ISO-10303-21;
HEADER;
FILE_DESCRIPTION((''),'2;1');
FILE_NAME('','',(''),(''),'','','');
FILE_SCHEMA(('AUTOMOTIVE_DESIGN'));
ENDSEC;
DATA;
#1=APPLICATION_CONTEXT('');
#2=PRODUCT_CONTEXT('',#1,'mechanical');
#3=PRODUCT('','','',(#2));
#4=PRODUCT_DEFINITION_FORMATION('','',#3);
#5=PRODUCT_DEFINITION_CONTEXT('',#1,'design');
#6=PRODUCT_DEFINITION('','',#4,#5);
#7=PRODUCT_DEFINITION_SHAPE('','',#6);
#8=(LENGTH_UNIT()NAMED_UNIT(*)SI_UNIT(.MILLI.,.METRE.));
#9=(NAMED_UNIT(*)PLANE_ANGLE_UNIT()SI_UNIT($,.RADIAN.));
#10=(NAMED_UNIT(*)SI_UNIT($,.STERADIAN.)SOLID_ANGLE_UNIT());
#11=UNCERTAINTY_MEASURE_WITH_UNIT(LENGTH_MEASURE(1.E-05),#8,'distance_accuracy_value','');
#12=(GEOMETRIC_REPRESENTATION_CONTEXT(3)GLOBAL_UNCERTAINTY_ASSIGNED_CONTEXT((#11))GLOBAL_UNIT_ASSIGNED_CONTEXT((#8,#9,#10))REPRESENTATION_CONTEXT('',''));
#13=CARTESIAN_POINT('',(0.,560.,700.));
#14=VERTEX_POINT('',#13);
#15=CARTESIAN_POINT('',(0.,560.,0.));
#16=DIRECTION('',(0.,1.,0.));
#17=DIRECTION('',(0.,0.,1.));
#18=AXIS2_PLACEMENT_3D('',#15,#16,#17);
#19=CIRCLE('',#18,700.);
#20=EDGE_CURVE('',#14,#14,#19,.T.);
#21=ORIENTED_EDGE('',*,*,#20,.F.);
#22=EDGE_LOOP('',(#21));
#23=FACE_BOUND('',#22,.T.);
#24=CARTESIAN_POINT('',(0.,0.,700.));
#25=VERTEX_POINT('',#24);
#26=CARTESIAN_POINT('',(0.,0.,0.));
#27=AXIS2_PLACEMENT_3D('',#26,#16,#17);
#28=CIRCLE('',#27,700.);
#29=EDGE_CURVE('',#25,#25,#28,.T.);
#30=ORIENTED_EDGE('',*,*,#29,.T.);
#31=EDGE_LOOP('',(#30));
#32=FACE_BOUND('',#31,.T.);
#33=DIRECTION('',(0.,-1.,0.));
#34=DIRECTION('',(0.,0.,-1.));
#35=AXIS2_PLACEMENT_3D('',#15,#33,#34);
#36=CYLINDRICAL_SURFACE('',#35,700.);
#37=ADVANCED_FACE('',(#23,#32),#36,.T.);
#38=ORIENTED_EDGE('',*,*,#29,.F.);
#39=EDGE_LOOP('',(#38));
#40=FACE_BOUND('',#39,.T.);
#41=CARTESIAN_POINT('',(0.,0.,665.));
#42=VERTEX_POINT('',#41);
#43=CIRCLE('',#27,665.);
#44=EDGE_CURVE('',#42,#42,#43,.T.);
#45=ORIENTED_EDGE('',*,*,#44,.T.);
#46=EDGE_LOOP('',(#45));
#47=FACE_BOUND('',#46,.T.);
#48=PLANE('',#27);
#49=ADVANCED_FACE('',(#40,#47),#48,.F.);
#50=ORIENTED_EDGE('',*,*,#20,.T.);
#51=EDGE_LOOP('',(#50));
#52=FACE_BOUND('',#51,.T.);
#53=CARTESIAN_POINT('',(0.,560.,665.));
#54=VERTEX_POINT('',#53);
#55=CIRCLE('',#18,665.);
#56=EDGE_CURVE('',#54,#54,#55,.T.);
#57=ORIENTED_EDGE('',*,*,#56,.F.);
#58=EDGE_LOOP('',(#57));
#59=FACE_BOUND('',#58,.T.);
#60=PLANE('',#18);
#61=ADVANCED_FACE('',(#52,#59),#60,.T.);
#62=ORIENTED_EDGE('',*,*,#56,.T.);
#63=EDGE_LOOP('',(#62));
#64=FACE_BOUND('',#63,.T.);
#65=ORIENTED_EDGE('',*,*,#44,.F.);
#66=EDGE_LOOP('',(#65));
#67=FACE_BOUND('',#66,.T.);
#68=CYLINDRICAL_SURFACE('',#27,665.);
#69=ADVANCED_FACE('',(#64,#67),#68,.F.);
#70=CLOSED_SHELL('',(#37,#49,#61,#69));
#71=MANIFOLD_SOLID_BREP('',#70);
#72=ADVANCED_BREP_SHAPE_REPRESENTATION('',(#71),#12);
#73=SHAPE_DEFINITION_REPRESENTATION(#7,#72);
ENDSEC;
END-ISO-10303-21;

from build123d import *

# Parameters (mm, degrees)
SKETCH_1_R          = 700
EXTRUDE_1_DEPTH     = 560
SKETCH_2_R          = 665
CUT_EXTRUDE_1_DEPTH = 560


with BuildPart() as part:
    # 草图1 → 凸台-拉伸1 (new body)
    with BuildSketch(Plane(origin=(0, 0, 0), x_dir=(1, 0, 0), z_dir=(0, 1, 0))):
        Circle(SKETCH_1_R)
    extrude(amount=EXTRUDE_1_DEPTH)

    # 草图2 → 切除-拉伸1 (cut)
    with BuildSketch(Plane(origin=(0, 560, 0), x_dir=(1, 0, 0), z_dir=(0, 1, 0))):
        Circle(SKETCH_2_R)
    extrude(amount=-CUT_EXTRUDE_1_DEPTH, mode=Mode.SUBTRACT)


solid = part.part
